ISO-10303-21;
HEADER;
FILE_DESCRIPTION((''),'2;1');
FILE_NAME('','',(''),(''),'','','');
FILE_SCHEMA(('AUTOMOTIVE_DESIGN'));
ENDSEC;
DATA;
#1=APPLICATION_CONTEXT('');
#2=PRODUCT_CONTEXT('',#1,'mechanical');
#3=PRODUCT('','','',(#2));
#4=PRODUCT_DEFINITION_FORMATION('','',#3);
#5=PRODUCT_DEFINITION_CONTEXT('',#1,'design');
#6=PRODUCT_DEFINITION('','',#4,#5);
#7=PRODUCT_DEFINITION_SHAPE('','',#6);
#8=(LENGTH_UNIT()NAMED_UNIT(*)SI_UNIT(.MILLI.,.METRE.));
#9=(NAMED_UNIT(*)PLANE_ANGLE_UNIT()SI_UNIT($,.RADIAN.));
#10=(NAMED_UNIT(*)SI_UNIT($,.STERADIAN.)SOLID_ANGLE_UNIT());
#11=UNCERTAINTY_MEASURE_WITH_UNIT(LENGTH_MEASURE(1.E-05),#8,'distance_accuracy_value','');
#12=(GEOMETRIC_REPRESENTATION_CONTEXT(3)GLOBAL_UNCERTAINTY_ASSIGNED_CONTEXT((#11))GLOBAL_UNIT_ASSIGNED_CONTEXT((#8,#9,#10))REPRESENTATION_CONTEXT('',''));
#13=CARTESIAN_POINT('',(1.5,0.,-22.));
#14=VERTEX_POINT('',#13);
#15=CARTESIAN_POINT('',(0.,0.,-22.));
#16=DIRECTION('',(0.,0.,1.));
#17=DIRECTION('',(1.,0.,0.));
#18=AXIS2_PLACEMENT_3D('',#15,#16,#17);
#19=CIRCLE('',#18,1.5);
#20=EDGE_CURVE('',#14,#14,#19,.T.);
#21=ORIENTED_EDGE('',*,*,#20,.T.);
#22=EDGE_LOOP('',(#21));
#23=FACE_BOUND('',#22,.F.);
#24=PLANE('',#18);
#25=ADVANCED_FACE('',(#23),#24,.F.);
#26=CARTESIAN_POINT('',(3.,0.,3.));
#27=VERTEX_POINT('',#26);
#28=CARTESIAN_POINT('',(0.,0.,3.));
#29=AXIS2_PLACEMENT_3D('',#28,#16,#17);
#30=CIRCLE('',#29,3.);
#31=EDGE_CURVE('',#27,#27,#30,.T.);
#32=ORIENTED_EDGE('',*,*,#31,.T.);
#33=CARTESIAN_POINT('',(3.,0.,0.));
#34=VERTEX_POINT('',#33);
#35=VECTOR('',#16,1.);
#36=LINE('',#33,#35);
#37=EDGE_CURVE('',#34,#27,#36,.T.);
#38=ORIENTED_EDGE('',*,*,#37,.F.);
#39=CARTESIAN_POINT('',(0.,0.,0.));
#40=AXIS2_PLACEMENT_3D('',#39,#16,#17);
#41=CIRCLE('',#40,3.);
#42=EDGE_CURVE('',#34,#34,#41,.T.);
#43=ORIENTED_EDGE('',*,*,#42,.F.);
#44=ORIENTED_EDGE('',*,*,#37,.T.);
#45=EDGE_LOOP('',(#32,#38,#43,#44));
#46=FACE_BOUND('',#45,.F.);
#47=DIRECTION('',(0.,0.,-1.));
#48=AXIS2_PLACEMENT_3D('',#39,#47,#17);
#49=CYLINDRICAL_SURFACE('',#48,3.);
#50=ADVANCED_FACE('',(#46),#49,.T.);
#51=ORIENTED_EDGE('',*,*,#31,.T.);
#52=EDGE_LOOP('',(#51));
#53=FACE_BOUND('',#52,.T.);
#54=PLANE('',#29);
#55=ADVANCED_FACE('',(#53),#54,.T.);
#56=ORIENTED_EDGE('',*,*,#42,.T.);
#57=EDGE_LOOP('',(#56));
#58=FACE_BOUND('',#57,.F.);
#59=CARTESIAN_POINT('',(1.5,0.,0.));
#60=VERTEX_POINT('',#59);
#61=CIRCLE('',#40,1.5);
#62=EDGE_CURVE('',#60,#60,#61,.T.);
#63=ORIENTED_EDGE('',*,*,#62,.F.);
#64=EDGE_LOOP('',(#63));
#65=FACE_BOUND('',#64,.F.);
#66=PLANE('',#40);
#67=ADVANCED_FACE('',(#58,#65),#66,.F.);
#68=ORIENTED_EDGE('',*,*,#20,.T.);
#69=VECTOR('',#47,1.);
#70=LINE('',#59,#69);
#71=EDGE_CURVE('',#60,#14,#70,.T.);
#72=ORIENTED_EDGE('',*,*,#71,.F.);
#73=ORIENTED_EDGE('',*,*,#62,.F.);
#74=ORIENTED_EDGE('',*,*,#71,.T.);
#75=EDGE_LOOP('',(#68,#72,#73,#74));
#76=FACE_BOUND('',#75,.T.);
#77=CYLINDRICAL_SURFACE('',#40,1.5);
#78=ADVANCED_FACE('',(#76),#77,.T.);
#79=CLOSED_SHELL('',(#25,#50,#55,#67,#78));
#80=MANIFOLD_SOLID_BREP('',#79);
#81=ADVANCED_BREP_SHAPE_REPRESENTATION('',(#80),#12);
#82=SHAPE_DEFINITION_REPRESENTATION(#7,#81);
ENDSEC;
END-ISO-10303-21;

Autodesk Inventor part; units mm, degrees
ref_plane "YZ Plane" through (0, 0, 0) normal (1, 0, 0) x (0, 1, 0)
ref_plane "XZ Plane" through (0, 0, 0) normal (0, 1, 0) x (-1, 0, 0)
ref_plane "XY Plane" through (0, 0, 0) normal (0, 0, 1) x (1, 0, 0)
sketch "スケッチ1" plane through (0, 0, 0) normal (0, 0, 1) x (1, 0, 0)
  circle A0 centre (0, 0) radius 3
  circle A1 centre (0, 0) radius 1.5
  dimension "d0" = 6
  dimension "d1" = 3
extrude "押し出し1" add sketch "スケッチ1" along normal blind 3 contours A0 | A1
extrude "押し出し2" add sketch "スケッチ1" against normal blind 22 contours A1
properties part number "M3 キャップボルト 22mm" material "鋼、炭素鋼"
